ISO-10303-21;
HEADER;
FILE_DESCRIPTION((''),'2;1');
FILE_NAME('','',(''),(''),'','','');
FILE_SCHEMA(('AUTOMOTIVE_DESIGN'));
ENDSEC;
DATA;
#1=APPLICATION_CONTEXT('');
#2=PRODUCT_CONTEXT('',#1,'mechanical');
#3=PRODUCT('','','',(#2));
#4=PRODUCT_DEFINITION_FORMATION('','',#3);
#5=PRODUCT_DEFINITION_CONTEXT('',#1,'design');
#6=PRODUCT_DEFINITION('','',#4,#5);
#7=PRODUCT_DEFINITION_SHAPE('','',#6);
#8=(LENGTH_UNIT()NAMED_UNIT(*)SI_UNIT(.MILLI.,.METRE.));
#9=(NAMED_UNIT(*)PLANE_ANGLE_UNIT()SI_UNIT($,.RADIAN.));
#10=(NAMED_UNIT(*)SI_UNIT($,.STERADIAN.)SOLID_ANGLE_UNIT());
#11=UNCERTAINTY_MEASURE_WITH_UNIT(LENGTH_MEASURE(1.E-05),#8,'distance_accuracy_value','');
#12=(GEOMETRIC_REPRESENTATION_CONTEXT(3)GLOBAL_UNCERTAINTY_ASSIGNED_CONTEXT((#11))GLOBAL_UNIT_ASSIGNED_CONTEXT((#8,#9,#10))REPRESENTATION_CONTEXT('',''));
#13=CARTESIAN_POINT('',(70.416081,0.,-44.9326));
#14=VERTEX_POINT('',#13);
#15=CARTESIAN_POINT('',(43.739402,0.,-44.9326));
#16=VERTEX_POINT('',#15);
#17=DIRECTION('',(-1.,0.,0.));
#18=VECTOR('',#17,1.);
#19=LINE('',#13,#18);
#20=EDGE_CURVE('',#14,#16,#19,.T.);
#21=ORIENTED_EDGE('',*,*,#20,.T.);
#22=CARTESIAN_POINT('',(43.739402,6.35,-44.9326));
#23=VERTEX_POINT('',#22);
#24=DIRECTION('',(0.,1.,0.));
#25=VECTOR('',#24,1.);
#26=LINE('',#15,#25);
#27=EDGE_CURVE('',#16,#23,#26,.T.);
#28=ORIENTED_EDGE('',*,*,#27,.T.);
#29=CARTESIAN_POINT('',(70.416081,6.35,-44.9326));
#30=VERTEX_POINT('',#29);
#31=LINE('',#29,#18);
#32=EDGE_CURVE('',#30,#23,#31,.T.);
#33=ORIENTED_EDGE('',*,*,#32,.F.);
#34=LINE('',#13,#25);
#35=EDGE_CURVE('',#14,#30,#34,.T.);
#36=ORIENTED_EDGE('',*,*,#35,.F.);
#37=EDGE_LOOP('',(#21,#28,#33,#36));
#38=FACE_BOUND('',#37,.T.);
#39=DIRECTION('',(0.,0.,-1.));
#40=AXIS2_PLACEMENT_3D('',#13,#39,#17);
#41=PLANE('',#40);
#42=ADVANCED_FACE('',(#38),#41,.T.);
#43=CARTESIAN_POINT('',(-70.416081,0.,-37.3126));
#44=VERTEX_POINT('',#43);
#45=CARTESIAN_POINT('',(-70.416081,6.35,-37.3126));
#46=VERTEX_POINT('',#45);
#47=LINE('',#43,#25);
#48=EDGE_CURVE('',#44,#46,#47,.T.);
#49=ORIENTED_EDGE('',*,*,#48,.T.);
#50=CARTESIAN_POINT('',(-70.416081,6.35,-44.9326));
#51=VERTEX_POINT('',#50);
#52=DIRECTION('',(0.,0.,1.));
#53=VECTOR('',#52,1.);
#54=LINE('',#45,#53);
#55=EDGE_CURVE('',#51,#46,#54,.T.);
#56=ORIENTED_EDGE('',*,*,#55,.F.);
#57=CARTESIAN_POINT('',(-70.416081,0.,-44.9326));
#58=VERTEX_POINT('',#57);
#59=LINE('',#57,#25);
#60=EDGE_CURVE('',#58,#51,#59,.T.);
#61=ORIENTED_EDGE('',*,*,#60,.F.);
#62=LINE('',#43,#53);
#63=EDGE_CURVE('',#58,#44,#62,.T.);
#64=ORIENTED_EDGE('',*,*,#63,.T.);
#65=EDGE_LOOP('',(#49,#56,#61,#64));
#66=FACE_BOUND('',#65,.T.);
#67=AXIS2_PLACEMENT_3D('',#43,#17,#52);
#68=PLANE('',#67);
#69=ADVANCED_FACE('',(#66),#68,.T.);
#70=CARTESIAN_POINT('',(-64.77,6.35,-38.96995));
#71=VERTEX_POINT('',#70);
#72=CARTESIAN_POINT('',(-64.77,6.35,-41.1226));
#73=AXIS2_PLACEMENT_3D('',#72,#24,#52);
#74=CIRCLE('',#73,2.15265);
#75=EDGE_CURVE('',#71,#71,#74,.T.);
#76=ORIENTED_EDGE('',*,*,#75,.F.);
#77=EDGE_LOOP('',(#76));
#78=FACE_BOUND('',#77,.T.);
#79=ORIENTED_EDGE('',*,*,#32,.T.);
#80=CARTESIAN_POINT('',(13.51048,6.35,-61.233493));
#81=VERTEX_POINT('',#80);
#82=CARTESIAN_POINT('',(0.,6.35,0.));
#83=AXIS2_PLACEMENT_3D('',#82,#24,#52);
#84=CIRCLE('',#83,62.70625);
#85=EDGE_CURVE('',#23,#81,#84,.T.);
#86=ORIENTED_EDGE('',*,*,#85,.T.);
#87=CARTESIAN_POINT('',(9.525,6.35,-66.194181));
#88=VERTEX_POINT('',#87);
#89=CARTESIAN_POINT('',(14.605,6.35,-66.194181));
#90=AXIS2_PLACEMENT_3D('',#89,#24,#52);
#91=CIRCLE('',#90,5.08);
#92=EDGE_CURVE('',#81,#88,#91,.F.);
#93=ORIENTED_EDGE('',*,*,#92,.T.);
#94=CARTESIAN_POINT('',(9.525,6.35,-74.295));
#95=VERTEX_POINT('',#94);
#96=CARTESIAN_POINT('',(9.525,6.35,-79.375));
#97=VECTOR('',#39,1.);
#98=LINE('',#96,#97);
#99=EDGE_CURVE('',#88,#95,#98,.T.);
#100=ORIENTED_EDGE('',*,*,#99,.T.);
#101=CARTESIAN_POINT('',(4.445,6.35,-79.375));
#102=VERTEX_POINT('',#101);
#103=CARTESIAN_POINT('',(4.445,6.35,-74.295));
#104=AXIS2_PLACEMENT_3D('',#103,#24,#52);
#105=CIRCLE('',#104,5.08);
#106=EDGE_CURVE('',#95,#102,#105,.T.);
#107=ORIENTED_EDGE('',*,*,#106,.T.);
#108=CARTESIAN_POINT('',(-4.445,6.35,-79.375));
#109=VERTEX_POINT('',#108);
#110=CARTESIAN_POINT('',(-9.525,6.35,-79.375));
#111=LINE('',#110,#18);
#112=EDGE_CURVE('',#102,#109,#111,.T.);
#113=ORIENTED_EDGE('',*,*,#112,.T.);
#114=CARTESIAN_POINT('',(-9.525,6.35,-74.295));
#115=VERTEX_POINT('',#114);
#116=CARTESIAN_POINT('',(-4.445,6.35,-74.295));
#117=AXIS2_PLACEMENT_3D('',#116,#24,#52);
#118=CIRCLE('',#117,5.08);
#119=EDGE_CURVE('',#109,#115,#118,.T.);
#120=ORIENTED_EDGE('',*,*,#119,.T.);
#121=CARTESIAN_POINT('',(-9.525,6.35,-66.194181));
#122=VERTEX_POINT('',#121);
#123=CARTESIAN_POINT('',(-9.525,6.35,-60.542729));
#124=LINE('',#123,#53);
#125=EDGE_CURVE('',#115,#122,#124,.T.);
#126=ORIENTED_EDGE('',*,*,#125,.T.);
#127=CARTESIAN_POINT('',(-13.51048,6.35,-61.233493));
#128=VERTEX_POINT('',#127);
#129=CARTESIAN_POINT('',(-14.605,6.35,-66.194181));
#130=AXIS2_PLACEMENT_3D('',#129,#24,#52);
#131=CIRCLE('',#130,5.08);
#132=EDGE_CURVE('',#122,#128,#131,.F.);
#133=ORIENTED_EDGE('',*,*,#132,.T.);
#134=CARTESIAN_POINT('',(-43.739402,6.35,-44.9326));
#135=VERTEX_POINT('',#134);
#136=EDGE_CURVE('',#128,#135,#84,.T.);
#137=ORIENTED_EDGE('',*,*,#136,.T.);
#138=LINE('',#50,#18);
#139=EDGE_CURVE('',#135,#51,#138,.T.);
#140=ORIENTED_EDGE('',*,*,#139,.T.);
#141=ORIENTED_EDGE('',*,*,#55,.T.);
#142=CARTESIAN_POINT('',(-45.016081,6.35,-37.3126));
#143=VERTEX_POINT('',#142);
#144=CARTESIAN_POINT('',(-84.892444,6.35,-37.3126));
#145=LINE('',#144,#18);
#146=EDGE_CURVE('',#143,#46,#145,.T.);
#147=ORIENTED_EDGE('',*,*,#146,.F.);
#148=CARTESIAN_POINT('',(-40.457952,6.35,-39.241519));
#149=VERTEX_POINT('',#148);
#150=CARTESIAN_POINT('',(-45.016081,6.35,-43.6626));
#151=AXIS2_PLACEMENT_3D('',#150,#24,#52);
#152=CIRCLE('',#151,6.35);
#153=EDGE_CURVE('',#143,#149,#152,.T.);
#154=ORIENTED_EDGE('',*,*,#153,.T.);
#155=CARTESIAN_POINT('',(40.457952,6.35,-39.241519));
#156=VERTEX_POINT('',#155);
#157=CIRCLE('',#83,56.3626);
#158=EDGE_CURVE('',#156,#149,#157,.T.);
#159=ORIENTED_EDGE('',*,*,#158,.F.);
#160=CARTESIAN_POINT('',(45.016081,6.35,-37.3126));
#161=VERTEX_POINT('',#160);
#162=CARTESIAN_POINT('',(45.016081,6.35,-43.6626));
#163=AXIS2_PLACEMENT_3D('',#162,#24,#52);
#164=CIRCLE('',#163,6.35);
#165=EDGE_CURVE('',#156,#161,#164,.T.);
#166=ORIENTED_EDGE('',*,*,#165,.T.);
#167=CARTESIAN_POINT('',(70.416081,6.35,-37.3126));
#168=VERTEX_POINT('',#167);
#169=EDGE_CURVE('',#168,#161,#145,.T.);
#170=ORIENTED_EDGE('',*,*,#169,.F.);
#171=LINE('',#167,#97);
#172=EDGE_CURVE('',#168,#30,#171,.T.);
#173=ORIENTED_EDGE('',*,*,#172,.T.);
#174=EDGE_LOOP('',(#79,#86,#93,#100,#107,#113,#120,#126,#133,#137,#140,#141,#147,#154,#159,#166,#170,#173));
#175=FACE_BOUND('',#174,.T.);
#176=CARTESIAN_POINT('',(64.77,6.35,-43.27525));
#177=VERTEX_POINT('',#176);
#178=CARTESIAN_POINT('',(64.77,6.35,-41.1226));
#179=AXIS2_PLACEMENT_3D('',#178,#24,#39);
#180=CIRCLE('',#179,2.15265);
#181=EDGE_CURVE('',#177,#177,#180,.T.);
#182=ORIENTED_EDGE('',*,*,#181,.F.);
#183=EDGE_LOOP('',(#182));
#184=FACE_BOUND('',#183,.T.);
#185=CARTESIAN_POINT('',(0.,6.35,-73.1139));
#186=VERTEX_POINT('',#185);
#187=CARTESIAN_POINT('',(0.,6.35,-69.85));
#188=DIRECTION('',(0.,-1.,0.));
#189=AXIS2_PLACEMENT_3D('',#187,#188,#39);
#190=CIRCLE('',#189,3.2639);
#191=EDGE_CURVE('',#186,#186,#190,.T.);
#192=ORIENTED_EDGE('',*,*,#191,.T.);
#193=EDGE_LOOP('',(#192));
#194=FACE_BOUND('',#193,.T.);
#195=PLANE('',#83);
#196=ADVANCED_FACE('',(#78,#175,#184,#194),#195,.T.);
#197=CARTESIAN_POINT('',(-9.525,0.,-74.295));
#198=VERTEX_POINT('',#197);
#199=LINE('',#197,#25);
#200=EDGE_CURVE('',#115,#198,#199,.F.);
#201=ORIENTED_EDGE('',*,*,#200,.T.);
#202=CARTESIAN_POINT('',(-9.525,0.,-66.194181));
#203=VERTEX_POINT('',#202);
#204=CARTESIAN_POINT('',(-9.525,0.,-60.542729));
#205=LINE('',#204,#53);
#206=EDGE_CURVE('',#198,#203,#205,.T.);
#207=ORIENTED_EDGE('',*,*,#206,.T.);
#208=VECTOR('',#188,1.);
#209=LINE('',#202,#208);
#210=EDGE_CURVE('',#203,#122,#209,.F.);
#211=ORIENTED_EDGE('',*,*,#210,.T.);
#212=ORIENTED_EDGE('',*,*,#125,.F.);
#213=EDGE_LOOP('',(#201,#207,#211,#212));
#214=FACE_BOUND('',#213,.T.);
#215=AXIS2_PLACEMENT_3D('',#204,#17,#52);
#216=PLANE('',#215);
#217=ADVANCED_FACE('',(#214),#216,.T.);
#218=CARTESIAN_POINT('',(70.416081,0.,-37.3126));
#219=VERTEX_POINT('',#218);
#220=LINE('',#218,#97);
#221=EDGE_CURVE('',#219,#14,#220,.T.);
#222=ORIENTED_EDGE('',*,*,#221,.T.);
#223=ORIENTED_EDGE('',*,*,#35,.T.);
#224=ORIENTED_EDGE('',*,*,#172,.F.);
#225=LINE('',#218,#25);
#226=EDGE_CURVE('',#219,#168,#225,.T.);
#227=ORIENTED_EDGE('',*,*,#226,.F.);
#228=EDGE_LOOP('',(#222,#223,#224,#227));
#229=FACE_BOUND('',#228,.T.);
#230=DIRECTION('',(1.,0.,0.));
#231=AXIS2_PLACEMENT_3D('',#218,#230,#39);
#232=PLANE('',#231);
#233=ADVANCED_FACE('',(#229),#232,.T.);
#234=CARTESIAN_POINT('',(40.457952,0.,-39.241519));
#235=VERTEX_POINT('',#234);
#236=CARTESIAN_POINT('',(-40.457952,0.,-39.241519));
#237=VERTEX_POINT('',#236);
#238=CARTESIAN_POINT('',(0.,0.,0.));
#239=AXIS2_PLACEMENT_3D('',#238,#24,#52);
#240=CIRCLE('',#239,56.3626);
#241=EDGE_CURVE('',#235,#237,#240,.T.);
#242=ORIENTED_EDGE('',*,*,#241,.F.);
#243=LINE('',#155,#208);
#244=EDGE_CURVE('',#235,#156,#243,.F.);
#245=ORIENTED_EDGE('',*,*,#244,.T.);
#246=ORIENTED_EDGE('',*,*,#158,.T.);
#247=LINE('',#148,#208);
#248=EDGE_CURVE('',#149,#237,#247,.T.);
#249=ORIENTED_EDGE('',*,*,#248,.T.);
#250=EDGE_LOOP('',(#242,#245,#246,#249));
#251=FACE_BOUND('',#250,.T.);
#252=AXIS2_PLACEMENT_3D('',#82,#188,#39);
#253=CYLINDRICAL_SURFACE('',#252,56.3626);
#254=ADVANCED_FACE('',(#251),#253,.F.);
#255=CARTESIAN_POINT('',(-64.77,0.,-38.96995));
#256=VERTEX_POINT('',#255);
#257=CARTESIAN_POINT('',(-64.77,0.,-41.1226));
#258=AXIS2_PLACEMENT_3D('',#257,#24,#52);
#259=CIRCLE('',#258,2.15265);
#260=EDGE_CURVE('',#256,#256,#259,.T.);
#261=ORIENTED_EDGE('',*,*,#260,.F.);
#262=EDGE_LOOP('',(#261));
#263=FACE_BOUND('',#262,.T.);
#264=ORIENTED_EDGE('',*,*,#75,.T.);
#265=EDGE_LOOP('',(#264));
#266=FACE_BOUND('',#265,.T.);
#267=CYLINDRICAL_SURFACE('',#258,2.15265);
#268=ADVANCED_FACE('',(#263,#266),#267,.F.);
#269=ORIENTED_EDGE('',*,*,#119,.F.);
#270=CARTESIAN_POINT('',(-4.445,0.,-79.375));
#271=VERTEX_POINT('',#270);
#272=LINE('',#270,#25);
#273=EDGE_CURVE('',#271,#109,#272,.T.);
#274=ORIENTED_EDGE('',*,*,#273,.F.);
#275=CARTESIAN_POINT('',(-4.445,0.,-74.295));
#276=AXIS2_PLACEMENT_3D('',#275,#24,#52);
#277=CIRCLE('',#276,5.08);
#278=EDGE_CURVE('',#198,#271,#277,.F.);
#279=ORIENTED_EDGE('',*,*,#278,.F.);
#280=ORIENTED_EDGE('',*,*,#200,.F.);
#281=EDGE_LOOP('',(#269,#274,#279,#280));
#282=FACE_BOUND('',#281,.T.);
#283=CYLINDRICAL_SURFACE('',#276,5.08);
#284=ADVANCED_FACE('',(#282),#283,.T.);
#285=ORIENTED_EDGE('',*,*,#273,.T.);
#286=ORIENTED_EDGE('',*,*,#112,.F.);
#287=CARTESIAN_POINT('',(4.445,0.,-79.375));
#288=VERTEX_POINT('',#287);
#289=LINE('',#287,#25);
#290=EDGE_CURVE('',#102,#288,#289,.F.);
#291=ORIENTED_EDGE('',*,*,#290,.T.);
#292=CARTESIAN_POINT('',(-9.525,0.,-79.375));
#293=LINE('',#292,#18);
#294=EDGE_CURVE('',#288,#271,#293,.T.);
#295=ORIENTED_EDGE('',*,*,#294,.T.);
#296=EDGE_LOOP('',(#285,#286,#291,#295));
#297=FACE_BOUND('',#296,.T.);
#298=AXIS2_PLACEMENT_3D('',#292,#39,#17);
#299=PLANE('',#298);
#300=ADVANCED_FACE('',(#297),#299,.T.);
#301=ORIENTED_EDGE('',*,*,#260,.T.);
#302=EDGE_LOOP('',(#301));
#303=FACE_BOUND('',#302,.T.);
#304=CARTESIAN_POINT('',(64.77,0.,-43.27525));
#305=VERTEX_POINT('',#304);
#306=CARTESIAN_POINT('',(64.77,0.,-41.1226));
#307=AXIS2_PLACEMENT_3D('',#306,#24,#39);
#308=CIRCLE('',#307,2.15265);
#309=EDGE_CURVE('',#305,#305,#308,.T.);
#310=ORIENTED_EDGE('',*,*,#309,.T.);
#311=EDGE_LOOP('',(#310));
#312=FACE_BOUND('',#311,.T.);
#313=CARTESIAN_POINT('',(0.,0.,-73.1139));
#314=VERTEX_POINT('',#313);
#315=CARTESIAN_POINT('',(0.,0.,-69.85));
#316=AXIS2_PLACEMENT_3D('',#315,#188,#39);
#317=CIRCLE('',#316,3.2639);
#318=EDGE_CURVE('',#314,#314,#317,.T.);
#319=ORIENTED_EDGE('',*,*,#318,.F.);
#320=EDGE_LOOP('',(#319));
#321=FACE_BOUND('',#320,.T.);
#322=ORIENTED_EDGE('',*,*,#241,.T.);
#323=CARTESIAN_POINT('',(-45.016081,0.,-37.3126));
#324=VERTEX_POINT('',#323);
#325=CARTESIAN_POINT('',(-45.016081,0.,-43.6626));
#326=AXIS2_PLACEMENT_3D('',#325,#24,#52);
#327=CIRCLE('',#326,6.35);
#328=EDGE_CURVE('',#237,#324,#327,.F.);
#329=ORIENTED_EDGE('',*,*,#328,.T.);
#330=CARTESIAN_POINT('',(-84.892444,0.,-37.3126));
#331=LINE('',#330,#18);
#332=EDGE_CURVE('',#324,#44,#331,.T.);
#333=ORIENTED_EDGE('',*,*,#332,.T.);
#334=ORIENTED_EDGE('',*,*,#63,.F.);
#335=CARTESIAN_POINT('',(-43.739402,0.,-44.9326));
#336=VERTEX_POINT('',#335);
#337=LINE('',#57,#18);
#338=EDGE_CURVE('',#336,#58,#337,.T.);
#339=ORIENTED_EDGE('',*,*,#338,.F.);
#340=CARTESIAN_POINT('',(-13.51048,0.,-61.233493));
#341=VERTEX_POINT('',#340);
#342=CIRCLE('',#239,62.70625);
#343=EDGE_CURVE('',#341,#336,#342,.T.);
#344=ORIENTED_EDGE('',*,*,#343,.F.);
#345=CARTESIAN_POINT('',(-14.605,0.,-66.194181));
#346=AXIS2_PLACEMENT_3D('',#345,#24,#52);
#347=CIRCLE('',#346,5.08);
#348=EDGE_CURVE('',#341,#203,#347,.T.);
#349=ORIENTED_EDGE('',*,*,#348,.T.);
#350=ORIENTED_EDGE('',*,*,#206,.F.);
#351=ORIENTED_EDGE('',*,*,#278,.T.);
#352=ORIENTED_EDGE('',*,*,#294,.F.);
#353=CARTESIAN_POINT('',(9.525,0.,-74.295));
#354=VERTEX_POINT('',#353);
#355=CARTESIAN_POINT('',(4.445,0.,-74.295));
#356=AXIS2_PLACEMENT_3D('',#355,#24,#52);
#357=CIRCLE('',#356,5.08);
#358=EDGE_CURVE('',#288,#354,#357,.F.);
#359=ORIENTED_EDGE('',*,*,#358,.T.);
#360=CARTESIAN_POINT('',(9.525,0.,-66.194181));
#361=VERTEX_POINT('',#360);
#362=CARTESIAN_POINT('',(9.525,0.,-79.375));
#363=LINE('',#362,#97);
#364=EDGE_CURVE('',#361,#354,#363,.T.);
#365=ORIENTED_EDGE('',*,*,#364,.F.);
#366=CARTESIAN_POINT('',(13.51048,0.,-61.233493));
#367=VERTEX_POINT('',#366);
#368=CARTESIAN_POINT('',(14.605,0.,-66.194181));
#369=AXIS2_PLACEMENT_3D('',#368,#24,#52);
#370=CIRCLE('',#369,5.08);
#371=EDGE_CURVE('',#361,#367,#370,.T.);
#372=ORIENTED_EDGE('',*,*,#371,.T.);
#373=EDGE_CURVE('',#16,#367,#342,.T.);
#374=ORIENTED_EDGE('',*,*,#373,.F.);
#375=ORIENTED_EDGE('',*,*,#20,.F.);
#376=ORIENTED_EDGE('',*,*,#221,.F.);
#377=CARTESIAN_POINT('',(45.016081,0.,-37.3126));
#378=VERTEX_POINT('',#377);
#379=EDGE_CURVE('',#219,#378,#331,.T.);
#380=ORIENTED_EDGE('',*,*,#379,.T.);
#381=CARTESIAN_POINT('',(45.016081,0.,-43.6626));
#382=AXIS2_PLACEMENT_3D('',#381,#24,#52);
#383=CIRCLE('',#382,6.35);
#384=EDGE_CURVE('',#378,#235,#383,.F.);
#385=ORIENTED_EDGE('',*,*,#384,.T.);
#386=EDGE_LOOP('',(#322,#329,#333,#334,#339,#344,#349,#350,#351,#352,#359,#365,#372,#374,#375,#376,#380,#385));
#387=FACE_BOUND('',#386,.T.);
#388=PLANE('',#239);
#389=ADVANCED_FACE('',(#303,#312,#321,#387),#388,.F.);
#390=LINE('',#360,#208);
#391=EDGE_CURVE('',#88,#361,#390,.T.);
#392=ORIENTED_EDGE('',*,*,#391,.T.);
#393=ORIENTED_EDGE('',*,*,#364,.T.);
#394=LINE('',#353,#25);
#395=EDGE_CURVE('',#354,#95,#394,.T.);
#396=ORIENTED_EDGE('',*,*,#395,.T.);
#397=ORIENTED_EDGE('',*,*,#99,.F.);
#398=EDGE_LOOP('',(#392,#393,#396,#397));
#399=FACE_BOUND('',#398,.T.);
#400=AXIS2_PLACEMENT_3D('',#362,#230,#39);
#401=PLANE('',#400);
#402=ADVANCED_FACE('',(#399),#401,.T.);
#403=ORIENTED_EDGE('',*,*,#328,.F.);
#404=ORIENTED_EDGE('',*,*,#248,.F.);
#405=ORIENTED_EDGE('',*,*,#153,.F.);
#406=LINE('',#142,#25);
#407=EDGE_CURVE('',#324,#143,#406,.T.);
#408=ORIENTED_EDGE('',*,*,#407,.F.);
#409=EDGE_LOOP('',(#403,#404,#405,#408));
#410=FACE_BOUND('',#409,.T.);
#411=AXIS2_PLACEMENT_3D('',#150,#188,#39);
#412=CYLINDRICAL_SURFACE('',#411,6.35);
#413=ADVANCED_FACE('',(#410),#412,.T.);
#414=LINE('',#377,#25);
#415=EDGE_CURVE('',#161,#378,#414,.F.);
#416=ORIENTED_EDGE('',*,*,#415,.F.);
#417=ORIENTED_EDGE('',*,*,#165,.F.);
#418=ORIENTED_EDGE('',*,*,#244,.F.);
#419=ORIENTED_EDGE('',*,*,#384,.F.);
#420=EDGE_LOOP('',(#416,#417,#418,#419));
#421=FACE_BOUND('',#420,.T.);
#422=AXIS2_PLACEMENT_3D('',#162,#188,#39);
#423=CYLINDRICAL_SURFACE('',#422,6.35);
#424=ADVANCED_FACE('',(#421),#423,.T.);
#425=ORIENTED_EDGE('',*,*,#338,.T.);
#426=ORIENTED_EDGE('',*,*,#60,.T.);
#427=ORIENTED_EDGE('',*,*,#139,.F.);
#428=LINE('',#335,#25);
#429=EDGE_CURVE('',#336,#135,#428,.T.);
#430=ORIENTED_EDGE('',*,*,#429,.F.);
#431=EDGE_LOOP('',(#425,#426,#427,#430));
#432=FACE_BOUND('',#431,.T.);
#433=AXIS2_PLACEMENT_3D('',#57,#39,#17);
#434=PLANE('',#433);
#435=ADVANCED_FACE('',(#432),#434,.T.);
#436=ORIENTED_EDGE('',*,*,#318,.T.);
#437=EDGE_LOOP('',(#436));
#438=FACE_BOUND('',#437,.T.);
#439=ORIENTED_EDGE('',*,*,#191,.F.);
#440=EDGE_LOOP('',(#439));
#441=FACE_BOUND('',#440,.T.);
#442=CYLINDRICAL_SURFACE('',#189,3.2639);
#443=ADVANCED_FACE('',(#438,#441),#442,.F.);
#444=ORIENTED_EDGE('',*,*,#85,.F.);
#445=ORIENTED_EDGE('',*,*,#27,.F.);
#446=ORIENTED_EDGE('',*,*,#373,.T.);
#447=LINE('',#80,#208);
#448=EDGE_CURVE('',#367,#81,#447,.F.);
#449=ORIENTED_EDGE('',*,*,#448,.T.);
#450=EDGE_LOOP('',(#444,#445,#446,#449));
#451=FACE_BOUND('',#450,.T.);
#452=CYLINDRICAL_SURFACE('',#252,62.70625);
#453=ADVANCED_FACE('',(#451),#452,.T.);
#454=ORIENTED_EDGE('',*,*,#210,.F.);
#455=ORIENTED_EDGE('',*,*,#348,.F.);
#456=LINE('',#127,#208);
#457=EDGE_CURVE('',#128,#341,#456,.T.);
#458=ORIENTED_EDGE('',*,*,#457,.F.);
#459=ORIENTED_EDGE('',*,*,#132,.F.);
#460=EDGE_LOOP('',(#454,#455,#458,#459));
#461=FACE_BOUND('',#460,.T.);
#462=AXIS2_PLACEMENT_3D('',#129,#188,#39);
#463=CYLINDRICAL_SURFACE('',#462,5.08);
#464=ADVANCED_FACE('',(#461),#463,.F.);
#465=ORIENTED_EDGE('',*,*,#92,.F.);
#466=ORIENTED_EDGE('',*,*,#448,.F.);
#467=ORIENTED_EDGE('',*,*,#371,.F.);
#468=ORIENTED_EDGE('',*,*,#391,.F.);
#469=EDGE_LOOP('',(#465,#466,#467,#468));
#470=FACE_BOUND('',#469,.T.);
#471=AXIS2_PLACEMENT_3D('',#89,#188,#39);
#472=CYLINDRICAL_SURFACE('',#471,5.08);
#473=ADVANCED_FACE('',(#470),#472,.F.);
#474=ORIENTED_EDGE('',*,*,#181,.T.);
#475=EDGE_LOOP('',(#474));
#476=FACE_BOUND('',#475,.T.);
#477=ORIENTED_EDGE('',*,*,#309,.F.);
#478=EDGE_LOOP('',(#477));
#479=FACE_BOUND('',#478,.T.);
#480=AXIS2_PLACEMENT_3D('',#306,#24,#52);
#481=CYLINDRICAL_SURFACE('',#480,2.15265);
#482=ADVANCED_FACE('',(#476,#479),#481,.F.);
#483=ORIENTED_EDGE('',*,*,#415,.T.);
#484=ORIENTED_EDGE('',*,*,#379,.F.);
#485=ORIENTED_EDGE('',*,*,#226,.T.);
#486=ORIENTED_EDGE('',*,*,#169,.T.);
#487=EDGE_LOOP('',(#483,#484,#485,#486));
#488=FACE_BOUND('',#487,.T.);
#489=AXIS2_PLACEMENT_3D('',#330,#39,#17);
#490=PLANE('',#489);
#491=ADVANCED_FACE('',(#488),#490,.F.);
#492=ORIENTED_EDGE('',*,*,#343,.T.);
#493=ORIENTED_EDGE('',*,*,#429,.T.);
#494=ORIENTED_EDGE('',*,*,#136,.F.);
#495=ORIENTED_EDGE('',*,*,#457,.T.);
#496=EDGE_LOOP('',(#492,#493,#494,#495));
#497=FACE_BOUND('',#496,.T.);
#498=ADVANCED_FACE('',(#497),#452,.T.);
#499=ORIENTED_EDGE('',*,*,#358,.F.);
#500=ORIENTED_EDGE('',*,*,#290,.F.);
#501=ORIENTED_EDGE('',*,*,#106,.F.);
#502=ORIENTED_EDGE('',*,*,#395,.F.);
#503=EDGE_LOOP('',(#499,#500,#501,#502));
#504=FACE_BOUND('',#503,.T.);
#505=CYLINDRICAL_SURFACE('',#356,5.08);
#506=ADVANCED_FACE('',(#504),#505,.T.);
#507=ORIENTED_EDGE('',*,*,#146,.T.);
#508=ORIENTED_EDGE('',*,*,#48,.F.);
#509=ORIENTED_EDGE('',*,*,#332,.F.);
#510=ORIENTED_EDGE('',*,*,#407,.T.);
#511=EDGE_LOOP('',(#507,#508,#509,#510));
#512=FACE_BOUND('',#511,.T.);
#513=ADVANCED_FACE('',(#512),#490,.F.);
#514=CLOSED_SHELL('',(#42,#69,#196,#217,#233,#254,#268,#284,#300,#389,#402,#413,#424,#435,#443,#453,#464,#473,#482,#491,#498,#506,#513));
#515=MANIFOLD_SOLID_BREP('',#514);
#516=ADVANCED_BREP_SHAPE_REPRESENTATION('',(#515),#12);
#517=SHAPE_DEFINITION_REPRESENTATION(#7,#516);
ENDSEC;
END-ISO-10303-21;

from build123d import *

# Parameters (mm, degrees)
SKETCH1_R           = 62.70625
SKETCH1_R_2         = 56.3626
BOSS_EXTRUDE1_DEPTH = 6.35
SKETCH5_W           = 19.05
SKETCH5_H           = 18.832271031
BOSS_EXTRUDE2_DEPTH = 6.35
FILLET1_R           = 5.08
SKETCH11_R          = 3.2639
CUT_EXTRUDE2_DEPTH  = 7.35
SKETCH17_W          = 169.784888888
SKETCH17_H          = 116.987853086
CUT_EXTRUDE3_DEPTH  = 7.35
FILLET2_R           = 6.35
SKETCH18_R          = 2.15265
BOSS_EXTRUDE4_DEPTH = 6.35


with BuildPart() as part:
    # Sketch1 → Boss-Extrude1 (new body)
    with BuildSketch(Plane(origin=(0, 0, 0), x_dir=(1, 0, 0), z_dir=(0, 1, 0))):
        Circle(SKETCH1_R)
        Circle(SKETCH1_R_2, mode=Mode.SUBTRACT)
    extrude(amount=BOSS_EXTRUDE1_DEPTH)

    # Sketch5 → Boss-Extrude2 (add)
    with BuildSketch(Plane(origin=(0, 6.35, 0), x_dir=(1, 0, 0), z_dir=(0, 1, 0))):
        with Locations((0, 69.958864484)):
            Rectangle(SKETCH5_W, SKETCH5_H)
    extrude(amount=-BOSS_EXTRUDE2_DEPTH)

    # Fillet1
    fillet1_edges = [part.edges().sort_by_distance(p)[0] for p in [
        (9.525, 3.175, -61.978610537),
        (-9.525, 3.175, -61.978610537),
        (9.525, 3.175, -79.375),
        (-9.525, 3.175, -79.375),
    ]]
    fillet(fillet1_edges, radius=FILLET1_R)

    # Sketch11 → Cut-Extrude2 (cut, through all)
    with BuildSketch(Plane.XZ):
        with Locations((0, -69.85)):
            Circle(SKETCH11_R)
    extrude(amount=-CUT_EXTRUDE2_DEPTH, mode=Mode.SUBTRACT)

    # Sketch17 → Cut-Extrude3 (cut, through all)
    with BuildSketch(Plane(origin=(0, 6.35, 0), x_dir=(1, 0, 0), z_dir=(0, 1, 0))):
        with Locations((0, -21.181326543)):
            Rectangle(SKETCH17_W, SKETCH17_H)
    extrude(amount=-CUT_EXTRUDE3_DEPTH, mode=Mode.SUBTRACT)

    # Fillet2
    fillet2_edges = [part.edges().sort_by_distance(p)[0] for p in [
        (-42.243491333, 3.175, -37.3126),
        (42.243491333, 3.175, -37.3126),
    ]]
    fillet(fillet2_edges, radius=FILLET2_R)

    # Sketch18 → Boss-Extrude4 (add)
    with BuildSketch(Plane(origin=(0, 6.35, 0), x_dir=(1, 0, 0), z_dir=(0, 1, 0))):
        Polygon((-50.396861711, 37.3126), (-70.416081127, 37.3126), (-70.416081127, 44.9326), (-43.739401531, 44.9326), align=None)
        with Locations((-64.77, 41.1226)):
            Circle(SKETCH18_R, mode=Mode.SUBTRACT)
        Polygon((50.396861711, 37.3126), (43.739401531, 44.9326), (70.416081127, 44.9326), (70.416081127, 37.3126), align=None)
        with Locations((64.77, 41.1226)):
            Circle(SKETCH18_R, mode=Mode.SUBTRACT)
    extrude(amount=-BOSS_EXTRUDE4_DEPTH)


solid = part.part
